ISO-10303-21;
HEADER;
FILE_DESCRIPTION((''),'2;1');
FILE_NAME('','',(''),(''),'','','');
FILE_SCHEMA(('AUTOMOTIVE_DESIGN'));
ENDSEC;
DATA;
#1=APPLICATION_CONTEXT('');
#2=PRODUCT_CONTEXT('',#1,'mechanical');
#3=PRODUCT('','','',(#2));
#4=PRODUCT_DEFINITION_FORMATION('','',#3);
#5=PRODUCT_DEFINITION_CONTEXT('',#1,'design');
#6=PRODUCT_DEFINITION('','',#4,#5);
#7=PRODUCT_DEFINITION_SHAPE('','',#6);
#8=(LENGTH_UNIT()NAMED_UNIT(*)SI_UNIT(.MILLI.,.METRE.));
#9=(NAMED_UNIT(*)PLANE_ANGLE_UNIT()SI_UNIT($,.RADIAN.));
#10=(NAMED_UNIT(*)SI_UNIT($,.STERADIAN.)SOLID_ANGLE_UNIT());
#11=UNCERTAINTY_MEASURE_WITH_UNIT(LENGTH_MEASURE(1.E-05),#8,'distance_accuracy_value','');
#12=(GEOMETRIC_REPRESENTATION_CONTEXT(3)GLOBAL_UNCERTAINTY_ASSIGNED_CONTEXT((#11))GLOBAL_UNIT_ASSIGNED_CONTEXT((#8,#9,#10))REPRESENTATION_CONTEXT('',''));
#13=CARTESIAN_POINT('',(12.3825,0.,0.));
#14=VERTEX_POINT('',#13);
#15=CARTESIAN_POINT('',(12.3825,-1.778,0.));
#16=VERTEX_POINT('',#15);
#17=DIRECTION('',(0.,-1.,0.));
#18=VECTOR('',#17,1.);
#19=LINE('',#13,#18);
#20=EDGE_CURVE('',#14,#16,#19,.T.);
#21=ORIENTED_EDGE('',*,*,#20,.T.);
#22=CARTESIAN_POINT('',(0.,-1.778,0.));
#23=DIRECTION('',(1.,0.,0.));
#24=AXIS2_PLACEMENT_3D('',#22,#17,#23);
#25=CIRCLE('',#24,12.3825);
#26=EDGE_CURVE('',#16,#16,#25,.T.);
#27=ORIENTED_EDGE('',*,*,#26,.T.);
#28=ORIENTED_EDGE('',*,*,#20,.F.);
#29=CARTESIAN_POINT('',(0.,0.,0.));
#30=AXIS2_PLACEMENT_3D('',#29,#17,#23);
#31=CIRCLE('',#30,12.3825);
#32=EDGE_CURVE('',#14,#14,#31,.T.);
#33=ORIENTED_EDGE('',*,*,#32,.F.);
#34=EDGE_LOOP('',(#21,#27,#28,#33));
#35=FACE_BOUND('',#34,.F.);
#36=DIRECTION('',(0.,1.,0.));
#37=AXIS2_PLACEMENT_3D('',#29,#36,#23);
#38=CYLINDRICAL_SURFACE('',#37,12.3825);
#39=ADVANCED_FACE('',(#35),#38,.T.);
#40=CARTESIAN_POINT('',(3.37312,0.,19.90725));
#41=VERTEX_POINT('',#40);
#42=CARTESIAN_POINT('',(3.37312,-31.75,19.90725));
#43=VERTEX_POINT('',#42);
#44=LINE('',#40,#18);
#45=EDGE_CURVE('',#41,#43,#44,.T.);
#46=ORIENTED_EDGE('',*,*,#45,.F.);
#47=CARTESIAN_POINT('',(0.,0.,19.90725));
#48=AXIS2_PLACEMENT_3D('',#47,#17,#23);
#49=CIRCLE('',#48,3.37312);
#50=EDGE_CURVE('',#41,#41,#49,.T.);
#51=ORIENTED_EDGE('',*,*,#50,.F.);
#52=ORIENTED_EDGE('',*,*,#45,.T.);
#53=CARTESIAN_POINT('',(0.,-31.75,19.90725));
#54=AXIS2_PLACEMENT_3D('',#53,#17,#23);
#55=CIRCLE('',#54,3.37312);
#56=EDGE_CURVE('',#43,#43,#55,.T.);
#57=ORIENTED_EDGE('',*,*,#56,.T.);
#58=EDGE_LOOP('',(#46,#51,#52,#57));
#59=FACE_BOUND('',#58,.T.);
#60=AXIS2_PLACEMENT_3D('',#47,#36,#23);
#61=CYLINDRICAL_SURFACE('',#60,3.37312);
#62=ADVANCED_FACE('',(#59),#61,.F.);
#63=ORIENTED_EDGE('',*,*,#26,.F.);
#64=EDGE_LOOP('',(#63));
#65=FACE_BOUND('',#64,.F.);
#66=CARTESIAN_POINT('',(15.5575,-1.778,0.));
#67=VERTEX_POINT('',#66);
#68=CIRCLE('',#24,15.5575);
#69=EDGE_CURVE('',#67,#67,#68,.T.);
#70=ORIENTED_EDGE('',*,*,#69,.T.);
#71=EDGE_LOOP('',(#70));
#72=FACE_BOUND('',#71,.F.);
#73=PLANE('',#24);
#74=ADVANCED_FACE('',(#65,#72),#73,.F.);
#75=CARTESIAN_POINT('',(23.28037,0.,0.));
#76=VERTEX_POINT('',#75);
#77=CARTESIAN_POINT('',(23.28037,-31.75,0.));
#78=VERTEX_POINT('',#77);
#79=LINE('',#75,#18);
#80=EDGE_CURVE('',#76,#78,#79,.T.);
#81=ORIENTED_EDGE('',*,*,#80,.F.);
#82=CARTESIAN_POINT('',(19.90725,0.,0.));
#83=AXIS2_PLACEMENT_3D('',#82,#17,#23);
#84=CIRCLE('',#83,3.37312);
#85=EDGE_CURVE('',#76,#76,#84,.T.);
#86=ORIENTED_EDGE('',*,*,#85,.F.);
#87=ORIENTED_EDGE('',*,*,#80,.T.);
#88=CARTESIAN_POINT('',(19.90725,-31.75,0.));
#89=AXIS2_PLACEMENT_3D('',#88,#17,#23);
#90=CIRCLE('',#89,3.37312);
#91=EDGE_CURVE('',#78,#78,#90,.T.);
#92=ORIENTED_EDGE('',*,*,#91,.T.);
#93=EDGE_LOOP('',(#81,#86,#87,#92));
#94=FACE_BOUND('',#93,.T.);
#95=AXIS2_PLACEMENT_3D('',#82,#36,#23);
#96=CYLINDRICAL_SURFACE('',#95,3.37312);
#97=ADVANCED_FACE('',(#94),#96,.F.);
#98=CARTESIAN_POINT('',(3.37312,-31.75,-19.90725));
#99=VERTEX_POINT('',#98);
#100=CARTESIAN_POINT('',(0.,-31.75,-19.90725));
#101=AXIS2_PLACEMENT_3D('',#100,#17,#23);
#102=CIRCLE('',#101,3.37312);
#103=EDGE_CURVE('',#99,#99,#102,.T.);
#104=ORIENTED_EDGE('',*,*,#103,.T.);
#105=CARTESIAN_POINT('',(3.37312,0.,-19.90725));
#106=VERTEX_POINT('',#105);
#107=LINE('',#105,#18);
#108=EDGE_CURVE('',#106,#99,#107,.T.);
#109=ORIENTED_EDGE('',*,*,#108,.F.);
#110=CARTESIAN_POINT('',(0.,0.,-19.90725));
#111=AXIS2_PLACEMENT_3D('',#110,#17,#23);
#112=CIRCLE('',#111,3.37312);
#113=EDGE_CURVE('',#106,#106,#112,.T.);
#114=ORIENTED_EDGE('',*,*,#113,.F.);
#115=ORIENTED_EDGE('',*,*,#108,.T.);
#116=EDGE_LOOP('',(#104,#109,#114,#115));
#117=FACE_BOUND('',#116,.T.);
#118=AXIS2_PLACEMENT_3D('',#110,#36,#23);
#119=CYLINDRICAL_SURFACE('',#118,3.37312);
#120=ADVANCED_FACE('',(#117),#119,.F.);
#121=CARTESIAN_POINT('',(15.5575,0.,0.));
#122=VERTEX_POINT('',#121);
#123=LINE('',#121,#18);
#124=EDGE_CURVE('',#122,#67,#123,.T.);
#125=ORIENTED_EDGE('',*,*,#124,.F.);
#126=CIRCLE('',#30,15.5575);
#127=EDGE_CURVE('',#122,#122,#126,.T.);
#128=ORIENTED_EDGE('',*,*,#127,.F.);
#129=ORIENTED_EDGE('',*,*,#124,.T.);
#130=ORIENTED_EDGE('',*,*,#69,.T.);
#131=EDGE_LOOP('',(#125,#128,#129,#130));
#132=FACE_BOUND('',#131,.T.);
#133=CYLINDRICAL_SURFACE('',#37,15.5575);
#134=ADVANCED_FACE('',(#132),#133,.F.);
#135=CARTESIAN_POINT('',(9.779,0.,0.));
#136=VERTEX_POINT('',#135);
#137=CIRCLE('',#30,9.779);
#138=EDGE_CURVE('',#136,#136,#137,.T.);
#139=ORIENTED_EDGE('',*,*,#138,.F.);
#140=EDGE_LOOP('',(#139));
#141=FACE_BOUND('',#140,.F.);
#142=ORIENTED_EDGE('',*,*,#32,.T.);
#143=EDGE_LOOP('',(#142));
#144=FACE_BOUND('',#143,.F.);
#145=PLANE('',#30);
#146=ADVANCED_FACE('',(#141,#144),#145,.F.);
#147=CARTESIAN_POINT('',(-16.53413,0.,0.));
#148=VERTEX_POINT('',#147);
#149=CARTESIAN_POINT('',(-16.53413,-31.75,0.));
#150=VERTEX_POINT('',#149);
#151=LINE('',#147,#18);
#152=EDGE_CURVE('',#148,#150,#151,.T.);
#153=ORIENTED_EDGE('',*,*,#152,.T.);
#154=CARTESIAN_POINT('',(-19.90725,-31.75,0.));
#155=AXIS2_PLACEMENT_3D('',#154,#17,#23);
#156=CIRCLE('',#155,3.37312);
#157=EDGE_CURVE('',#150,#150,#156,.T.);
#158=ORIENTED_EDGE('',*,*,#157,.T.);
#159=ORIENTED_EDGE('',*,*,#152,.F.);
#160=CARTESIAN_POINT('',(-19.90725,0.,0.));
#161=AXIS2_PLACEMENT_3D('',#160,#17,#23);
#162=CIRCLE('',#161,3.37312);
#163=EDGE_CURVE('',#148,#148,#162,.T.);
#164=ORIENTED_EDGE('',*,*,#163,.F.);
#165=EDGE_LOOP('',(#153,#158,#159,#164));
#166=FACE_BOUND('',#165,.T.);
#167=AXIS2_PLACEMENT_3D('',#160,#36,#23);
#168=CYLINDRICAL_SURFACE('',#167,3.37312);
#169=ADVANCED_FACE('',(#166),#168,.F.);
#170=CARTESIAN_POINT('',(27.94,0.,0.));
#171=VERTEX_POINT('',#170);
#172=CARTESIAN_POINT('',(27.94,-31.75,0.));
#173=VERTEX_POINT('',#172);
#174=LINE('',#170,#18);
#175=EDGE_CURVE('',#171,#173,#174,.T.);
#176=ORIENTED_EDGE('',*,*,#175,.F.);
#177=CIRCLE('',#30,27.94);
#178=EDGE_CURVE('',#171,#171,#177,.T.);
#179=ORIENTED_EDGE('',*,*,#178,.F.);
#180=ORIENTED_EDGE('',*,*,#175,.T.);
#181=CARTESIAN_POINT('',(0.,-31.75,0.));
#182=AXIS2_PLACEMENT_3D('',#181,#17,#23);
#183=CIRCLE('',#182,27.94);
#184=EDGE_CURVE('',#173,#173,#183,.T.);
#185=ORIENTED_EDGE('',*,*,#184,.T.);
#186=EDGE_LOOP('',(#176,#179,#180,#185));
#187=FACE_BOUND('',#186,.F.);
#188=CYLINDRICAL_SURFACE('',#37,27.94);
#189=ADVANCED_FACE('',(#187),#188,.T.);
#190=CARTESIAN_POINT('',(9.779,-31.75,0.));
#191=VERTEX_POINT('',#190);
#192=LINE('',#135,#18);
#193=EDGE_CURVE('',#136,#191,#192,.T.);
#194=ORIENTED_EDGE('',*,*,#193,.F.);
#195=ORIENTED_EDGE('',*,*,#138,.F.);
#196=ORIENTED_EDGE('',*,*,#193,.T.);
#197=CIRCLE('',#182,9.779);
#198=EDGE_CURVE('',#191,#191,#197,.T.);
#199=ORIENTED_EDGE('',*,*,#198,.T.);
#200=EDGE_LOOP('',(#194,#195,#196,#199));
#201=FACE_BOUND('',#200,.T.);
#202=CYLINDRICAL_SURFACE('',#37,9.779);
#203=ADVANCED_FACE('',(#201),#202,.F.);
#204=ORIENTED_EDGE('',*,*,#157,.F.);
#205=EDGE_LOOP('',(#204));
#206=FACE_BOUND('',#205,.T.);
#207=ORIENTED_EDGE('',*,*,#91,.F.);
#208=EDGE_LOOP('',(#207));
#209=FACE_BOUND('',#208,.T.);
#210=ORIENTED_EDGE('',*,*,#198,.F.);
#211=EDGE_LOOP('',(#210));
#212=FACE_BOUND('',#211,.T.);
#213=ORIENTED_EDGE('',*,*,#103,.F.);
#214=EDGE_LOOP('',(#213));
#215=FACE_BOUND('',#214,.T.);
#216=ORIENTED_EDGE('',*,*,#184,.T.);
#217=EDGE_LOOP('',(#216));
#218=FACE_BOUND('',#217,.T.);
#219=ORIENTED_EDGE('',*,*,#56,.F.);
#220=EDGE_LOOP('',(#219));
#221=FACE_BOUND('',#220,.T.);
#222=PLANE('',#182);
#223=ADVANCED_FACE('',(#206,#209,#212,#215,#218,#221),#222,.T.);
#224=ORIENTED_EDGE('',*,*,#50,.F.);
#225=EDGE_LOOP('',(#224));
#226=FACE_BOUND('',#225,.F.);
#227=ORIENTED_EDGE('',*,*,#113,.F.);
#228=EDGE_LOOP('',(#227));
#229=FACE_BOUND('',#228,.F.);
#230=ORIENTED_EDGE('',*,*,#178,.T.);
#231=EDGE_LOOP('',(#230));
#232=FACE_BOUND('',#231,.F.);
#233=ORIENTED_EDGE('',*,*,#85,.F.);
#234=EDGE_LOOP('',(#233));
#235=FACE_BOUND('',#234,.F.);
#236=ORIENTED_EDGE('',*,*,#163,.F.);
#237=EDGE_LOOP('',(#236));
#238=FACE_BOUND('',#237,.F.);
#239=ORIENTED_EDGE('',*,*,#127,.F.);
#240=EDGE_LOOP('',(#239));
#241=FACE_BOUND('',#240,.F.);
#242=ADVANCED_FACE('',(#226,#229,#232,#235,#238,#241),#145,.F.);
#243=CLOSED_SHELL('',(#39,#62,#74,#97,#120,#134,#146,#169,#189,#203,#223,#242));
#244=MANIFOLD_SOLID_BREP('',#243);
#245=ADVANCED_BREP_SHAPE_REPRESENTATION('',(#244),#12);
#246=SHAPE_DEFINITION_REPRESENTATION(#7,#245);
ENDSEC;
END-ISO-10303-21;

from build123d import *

# Parameters (mm, degrees)
F0_R     = 27.94
F0_R_2   = 3.37312
F0_R_3   = 9.779
F1_DEPTH = 31.75
F2_R     = 15.5575
F2_R_2   = 12.3825
F3_DEPTH = 1.778


with BuildPart() as f1:
    # F0 (on Front) → F1 (new body)
    with BuildSketch(Plane.XZ):
        Circle(F0_R)
        with Locations((0, -19.90725)):
            Circle(F0_R_2, mode=Mode.SUBTRACT)
        with Locations((-19.90725, 0)):
            Circle(F0_R_2, mode=Mode.SUBTRACT)
        Circle(F0_R_3, mode=Mode.SUBTRACT)
        with Locations((19.90725, 0)):
            Circle(F0_R_2, mode=Mode.SUBTRACT)
        with Locations((0, 19.90725)):
            Circle(F0_R_2, mode=Mode.SUBTRACT)
    extrude(amount=F1_DEPTH)

    # F2 (on Front) → F3 (cut)
    with BuildSketch(Plane.XZ):
        Circle(F2_R)
        Circle(F2_R_2, mode=Mode.SUBTRACT)
    extrude(amount=F3_DEPTH, mode=Mode.SUBTRACT)


solid = f1.part
